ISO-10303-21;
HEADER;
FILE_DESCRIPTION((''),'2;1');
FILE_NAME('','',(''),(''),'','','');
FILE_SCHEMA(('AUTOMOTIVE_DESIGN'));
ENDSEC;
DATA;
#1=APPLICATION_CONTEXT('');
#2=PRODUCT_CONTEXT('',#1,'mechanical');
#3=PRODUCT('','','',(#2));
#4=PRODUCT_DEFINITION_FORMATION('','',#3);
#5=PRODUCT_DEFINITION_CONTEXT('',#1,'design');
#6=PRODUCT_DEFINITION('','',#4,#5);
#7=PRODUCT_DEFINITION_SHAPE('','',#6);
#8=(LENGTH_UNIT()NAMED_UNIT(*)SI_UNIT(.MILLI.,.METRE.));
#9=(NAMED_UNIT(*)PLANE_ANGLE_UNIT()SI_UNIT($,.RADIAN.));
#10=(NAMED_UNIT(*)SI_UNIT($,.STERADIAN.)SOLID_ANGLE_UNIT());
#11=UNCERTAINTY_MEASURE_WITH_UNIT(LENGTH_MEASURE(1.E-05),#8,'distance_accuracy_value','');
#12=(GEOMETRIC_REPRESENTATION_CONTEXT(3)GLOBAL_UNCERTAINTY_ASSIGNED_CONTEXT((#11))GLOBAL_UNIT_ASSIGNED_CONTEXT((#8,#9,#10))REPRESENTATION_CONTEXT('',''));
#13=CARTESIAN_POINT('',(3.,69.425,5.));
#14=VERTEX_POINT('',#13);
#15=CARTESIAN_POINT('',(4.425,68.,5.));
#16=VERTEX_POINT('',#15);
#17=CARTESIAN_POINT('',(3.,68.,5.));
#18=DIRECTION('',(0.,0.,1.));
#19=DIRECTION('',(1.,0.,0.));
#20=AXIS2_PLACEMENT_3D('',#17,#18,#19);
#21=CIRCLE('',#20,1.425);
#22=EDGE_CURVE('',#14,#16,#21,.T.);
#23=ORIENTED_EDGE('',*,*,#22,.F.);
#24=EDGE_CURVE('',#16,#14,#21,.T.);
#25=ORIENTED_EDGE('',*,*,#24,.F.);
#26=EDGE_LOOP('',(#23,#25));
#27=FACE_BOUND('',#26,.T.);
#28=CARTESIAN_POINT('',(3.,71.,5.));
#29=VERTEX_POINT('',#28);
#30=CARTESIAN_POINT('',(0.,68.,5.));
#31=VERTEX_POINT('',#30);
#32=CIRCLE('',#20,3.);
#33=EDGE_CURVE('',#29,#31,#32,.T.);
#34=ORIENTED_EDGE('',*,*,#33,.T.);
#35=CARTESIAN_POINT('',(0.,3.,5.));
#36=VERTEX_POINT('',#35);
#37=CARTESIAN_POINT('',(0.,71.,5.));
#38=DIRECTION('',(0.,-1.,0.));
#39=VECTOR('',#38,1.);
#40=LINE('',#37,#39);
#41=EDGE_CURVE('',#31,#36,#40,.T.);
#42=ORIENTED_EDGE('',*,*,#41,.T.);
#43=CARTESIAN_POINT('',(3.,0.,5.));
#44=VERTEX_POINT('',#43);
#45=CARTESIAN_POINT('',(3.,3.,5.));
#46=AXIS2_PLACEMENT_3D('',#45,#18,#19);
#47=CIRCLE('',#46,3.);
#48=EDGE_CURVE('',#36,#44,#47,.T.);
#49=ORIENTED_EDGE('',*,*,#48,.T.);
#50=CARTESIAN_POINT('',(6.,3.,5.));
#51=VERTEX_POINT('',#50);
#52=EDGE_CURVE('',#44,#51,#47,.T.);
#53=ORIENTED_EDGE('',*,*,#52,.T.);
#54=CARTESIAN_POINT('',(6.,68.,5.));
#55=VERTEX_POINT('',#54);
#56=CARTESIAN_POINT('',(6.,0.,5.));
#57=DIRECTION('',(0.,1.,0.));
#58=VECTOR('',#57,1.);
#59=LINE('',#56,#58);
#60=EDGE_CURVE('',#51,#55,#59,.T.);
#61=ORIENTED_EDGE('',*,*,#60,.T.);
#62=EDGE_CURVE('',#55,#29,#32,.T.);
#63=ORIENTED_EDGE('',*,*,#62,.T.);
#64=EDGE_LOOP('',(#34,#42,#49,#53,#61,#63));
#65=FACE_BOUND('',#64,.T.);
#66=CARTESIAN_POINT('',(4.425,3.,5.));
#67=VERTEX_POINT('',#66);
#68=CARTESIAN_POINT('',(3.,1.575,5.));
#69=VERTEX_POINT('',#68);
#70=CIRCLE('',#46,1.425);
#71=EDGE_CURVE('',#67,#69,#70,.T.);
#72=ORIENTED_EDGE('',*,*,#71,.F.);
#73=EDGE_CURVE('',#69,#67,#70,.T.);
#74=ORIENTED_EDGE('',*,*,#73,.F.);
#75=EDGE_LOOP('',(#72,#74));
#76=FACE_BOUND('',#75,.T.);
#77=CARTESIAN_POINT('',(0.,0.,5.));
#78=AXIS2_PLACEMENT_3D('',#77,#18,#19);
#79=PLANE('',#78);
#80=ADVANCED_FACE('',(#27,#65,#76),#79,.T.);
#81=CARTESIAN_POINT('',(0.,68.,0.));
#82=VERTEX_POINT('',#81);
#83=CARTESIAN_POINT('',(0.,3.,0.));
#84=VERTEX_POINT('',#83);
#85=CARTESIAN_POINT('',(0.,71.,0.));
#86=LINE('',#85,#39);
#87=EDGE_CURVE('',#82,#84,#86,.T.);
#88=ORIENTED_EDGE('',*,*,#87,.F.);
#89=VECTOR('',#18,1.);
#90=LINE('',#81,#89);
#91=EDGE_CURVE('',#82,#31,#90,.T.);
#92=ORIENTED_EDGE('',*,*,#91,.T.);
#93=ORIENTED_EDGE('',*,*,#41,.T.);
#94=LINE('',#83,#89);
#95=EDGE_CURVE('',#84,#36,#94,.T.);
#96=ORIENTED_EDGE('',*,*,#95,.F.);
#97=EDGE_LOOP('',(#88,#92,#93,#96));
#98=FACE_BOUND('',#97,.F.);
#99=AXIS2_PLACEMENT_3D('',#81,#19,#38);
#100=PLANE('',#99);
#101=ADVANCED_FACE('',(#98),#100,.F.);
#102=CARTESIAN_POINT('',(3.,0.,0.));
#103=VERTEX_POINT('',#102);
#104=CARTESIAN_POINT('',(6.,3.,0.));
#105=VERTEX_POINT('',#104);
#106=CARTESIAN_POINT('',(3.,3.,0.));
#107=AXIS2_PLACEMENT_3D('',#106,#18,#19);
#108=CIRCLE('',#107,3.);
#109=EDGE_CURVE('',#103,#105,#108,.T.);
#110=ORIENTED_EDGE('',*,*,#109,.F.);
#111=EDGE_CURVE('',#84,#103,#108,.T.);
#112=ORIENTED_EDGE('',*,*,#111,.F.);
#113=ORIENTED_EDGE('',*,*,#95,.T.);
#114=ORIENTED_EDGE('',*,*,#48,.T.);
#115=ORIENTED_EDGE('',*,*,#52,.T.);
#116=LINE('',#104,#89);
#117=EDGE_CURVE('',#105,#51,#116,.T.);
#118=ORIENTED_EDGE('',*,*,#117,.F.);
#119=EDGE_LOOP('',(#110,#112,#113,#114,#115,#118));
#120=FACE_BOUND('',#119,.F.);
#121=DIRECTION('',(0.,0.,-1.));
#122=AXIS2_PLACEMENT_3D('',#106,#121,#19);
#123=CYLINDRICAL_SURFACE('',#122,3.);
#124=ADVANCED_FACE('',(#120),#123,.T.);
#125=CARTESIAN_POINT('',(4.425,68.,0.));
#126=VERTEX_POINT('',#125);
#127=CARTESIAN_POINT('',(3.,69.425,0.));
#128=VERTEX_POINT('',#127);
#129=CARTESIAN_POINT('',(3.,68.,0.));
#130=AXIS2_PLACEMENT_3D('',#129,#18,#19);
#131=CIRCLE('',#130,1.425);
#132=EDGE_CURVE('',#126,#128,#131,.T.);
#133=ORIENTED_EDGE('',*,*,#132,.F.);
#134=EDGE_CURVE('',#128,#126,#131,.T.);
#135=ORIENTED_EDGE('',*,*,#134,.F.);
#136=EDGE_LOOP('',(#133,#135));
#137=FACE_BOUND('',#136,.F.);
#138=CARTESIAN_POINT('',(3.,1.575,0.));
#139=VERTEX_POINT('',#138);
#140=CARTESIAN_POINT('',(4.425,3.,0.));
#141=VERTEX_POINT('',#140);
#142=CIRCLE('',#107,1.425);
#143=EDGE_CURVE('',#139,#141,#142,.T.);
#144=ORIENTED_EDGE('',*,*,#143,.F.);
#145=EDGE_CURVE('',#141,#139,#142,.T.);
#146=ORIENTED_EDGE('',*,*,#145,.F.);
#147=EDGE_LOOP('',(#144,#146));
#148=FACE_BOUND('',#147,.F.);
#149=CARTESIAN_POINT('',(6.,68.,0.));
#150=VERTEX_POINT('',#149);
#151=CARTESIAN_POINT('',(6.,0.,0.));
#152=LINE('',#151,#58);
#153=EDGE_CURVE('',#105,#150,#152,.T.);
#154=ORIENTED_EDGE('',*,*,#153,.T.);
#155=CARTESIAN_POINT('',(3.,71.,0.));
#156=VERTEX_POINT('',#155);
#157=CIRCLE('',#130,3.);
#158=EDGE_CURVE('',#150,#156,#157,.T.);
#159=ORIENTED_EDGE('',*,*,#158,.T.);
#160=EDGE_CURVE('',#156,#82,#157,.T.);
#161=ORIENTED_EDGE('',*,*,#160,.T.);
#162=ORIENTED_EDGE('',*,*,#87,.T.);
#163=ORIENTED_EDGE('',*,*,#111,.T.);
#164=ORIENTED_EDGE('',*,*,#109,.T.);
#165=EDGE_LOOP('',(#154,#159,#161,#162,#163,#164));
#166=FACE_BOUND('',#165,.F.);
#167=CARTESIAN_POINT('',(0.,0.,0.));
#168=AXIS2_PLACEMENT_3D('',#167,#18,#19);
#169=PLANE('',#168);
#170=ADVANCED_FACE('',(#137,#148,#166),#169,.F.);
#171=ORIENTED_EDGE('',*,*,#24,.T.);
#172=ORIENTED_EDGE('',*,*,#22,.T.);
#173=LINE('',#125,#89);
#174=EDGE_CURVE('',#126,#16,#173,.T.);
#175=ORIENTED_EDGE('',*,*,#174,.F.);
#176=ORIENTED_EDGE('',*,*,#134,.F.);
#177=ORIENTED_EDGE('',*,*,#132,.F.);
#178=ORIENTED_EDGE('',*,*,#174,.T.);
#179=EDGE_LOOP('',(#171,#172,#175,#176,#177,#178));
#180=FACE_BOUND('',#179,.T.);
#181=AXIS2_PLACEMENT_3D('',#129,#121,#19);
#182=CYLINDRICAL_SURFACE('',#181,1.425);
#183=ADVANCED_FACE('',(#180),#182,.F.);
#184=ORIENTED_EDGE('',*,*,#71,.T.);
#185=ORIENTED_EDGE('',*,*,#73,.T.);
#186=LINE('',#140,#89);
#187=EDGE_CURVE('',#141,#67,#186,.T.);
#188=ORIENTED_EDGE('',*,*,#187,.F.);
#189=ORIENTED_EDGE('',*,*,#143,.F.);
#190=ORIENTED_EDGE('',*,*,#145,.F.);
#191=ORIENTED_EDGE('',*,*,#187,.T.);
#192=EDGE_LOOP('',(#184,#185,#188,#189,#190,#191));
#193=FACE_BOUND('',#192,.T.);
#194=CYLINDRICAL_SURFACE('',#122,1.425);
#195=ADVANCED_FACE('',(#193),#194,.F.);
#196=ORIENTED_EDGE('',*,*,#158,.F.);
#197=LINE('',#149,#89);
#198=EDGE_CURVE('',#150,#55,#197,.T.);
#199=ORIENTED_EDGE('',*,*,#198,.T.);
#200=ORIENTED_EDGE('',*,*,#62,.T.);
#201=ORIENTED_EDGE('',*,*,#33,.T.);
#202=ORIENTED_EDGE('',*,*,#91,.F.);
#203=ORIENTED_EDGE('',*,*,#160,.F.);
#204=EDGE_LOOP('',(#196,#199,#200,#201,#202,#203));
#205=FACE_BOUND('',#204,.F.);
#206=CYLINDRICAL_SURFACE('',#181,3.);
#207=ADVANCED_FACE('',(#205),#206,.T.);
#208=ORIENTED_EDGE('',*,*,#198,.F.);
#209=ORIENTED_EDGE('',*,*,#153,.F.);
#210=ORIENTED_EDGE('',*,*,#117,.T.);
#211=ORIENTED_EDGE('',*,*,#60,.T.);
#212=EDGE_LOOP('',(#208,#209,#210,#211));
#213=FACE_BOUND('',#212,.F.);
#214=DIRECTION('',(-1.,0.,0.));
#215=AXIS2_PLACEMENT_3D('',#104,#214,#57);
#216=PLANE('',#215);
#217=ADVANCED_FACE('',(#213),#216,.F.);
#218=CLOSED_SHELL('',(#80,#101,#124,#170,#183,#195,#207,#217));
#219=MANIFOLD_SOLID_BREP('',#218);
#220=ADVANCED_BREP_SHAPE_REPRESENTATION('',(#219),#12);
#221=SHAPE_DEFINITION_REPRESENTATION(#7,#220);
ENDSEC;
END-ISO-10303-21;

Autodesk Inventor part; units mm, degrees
ref_plane "YZ Plane" through (0, 0, 0) normal (1, 0, 0) x (0, 1, 0)
ref_plane "XZ Plane" through (0, 0, 0) normal (0, 1, 0) x (-1, 0, 0)
ref_plane "XY Plane" through (0, 0, 0) normal (0, 0, 1) x (1, 0, 0)
sketch "Sketch1" plane through (0, 0, 0) normal (0, 0, 1) x (1, 0, 0)
  line L0 (0, 0) -> (6, 0)
  line L1 (6, 0) -> (6, 71)
  line L2 (6, 71) -> (0, 71)
  line L3 (0, 71) -> (0, 0)
  line L4 (3, 0) -> (3, 3)
  circle A0 centre (3, 3) radius 1.425
  circle A1 centre (3, 3) radius 3
  line L5 (3, 71) -> (3, 68)
  circle A2 centre (3, 68) radius 1.425
  circle A3 centre (3, 68) radius 3
  point P0 (6, 3)
  point P1 (6, 68)
  point P2 (0, 68)
  point P3 (0, 3)
  dimension "d10" = 6
  dimension "d11" = 71
  dimension "d12" = 3
  dimension "d13" = 6
  dimension "d14" = 2.85
  dimension "d15" = 3
  dimension "d16" = 6
  dimension "d17" = 2.85
extrude "Extrusion1" add sketch "Sketch1" along normal blind 5 contours A1 | L3 A3 L1 A1 | A3
properties part number "Exoskeleton 1"
